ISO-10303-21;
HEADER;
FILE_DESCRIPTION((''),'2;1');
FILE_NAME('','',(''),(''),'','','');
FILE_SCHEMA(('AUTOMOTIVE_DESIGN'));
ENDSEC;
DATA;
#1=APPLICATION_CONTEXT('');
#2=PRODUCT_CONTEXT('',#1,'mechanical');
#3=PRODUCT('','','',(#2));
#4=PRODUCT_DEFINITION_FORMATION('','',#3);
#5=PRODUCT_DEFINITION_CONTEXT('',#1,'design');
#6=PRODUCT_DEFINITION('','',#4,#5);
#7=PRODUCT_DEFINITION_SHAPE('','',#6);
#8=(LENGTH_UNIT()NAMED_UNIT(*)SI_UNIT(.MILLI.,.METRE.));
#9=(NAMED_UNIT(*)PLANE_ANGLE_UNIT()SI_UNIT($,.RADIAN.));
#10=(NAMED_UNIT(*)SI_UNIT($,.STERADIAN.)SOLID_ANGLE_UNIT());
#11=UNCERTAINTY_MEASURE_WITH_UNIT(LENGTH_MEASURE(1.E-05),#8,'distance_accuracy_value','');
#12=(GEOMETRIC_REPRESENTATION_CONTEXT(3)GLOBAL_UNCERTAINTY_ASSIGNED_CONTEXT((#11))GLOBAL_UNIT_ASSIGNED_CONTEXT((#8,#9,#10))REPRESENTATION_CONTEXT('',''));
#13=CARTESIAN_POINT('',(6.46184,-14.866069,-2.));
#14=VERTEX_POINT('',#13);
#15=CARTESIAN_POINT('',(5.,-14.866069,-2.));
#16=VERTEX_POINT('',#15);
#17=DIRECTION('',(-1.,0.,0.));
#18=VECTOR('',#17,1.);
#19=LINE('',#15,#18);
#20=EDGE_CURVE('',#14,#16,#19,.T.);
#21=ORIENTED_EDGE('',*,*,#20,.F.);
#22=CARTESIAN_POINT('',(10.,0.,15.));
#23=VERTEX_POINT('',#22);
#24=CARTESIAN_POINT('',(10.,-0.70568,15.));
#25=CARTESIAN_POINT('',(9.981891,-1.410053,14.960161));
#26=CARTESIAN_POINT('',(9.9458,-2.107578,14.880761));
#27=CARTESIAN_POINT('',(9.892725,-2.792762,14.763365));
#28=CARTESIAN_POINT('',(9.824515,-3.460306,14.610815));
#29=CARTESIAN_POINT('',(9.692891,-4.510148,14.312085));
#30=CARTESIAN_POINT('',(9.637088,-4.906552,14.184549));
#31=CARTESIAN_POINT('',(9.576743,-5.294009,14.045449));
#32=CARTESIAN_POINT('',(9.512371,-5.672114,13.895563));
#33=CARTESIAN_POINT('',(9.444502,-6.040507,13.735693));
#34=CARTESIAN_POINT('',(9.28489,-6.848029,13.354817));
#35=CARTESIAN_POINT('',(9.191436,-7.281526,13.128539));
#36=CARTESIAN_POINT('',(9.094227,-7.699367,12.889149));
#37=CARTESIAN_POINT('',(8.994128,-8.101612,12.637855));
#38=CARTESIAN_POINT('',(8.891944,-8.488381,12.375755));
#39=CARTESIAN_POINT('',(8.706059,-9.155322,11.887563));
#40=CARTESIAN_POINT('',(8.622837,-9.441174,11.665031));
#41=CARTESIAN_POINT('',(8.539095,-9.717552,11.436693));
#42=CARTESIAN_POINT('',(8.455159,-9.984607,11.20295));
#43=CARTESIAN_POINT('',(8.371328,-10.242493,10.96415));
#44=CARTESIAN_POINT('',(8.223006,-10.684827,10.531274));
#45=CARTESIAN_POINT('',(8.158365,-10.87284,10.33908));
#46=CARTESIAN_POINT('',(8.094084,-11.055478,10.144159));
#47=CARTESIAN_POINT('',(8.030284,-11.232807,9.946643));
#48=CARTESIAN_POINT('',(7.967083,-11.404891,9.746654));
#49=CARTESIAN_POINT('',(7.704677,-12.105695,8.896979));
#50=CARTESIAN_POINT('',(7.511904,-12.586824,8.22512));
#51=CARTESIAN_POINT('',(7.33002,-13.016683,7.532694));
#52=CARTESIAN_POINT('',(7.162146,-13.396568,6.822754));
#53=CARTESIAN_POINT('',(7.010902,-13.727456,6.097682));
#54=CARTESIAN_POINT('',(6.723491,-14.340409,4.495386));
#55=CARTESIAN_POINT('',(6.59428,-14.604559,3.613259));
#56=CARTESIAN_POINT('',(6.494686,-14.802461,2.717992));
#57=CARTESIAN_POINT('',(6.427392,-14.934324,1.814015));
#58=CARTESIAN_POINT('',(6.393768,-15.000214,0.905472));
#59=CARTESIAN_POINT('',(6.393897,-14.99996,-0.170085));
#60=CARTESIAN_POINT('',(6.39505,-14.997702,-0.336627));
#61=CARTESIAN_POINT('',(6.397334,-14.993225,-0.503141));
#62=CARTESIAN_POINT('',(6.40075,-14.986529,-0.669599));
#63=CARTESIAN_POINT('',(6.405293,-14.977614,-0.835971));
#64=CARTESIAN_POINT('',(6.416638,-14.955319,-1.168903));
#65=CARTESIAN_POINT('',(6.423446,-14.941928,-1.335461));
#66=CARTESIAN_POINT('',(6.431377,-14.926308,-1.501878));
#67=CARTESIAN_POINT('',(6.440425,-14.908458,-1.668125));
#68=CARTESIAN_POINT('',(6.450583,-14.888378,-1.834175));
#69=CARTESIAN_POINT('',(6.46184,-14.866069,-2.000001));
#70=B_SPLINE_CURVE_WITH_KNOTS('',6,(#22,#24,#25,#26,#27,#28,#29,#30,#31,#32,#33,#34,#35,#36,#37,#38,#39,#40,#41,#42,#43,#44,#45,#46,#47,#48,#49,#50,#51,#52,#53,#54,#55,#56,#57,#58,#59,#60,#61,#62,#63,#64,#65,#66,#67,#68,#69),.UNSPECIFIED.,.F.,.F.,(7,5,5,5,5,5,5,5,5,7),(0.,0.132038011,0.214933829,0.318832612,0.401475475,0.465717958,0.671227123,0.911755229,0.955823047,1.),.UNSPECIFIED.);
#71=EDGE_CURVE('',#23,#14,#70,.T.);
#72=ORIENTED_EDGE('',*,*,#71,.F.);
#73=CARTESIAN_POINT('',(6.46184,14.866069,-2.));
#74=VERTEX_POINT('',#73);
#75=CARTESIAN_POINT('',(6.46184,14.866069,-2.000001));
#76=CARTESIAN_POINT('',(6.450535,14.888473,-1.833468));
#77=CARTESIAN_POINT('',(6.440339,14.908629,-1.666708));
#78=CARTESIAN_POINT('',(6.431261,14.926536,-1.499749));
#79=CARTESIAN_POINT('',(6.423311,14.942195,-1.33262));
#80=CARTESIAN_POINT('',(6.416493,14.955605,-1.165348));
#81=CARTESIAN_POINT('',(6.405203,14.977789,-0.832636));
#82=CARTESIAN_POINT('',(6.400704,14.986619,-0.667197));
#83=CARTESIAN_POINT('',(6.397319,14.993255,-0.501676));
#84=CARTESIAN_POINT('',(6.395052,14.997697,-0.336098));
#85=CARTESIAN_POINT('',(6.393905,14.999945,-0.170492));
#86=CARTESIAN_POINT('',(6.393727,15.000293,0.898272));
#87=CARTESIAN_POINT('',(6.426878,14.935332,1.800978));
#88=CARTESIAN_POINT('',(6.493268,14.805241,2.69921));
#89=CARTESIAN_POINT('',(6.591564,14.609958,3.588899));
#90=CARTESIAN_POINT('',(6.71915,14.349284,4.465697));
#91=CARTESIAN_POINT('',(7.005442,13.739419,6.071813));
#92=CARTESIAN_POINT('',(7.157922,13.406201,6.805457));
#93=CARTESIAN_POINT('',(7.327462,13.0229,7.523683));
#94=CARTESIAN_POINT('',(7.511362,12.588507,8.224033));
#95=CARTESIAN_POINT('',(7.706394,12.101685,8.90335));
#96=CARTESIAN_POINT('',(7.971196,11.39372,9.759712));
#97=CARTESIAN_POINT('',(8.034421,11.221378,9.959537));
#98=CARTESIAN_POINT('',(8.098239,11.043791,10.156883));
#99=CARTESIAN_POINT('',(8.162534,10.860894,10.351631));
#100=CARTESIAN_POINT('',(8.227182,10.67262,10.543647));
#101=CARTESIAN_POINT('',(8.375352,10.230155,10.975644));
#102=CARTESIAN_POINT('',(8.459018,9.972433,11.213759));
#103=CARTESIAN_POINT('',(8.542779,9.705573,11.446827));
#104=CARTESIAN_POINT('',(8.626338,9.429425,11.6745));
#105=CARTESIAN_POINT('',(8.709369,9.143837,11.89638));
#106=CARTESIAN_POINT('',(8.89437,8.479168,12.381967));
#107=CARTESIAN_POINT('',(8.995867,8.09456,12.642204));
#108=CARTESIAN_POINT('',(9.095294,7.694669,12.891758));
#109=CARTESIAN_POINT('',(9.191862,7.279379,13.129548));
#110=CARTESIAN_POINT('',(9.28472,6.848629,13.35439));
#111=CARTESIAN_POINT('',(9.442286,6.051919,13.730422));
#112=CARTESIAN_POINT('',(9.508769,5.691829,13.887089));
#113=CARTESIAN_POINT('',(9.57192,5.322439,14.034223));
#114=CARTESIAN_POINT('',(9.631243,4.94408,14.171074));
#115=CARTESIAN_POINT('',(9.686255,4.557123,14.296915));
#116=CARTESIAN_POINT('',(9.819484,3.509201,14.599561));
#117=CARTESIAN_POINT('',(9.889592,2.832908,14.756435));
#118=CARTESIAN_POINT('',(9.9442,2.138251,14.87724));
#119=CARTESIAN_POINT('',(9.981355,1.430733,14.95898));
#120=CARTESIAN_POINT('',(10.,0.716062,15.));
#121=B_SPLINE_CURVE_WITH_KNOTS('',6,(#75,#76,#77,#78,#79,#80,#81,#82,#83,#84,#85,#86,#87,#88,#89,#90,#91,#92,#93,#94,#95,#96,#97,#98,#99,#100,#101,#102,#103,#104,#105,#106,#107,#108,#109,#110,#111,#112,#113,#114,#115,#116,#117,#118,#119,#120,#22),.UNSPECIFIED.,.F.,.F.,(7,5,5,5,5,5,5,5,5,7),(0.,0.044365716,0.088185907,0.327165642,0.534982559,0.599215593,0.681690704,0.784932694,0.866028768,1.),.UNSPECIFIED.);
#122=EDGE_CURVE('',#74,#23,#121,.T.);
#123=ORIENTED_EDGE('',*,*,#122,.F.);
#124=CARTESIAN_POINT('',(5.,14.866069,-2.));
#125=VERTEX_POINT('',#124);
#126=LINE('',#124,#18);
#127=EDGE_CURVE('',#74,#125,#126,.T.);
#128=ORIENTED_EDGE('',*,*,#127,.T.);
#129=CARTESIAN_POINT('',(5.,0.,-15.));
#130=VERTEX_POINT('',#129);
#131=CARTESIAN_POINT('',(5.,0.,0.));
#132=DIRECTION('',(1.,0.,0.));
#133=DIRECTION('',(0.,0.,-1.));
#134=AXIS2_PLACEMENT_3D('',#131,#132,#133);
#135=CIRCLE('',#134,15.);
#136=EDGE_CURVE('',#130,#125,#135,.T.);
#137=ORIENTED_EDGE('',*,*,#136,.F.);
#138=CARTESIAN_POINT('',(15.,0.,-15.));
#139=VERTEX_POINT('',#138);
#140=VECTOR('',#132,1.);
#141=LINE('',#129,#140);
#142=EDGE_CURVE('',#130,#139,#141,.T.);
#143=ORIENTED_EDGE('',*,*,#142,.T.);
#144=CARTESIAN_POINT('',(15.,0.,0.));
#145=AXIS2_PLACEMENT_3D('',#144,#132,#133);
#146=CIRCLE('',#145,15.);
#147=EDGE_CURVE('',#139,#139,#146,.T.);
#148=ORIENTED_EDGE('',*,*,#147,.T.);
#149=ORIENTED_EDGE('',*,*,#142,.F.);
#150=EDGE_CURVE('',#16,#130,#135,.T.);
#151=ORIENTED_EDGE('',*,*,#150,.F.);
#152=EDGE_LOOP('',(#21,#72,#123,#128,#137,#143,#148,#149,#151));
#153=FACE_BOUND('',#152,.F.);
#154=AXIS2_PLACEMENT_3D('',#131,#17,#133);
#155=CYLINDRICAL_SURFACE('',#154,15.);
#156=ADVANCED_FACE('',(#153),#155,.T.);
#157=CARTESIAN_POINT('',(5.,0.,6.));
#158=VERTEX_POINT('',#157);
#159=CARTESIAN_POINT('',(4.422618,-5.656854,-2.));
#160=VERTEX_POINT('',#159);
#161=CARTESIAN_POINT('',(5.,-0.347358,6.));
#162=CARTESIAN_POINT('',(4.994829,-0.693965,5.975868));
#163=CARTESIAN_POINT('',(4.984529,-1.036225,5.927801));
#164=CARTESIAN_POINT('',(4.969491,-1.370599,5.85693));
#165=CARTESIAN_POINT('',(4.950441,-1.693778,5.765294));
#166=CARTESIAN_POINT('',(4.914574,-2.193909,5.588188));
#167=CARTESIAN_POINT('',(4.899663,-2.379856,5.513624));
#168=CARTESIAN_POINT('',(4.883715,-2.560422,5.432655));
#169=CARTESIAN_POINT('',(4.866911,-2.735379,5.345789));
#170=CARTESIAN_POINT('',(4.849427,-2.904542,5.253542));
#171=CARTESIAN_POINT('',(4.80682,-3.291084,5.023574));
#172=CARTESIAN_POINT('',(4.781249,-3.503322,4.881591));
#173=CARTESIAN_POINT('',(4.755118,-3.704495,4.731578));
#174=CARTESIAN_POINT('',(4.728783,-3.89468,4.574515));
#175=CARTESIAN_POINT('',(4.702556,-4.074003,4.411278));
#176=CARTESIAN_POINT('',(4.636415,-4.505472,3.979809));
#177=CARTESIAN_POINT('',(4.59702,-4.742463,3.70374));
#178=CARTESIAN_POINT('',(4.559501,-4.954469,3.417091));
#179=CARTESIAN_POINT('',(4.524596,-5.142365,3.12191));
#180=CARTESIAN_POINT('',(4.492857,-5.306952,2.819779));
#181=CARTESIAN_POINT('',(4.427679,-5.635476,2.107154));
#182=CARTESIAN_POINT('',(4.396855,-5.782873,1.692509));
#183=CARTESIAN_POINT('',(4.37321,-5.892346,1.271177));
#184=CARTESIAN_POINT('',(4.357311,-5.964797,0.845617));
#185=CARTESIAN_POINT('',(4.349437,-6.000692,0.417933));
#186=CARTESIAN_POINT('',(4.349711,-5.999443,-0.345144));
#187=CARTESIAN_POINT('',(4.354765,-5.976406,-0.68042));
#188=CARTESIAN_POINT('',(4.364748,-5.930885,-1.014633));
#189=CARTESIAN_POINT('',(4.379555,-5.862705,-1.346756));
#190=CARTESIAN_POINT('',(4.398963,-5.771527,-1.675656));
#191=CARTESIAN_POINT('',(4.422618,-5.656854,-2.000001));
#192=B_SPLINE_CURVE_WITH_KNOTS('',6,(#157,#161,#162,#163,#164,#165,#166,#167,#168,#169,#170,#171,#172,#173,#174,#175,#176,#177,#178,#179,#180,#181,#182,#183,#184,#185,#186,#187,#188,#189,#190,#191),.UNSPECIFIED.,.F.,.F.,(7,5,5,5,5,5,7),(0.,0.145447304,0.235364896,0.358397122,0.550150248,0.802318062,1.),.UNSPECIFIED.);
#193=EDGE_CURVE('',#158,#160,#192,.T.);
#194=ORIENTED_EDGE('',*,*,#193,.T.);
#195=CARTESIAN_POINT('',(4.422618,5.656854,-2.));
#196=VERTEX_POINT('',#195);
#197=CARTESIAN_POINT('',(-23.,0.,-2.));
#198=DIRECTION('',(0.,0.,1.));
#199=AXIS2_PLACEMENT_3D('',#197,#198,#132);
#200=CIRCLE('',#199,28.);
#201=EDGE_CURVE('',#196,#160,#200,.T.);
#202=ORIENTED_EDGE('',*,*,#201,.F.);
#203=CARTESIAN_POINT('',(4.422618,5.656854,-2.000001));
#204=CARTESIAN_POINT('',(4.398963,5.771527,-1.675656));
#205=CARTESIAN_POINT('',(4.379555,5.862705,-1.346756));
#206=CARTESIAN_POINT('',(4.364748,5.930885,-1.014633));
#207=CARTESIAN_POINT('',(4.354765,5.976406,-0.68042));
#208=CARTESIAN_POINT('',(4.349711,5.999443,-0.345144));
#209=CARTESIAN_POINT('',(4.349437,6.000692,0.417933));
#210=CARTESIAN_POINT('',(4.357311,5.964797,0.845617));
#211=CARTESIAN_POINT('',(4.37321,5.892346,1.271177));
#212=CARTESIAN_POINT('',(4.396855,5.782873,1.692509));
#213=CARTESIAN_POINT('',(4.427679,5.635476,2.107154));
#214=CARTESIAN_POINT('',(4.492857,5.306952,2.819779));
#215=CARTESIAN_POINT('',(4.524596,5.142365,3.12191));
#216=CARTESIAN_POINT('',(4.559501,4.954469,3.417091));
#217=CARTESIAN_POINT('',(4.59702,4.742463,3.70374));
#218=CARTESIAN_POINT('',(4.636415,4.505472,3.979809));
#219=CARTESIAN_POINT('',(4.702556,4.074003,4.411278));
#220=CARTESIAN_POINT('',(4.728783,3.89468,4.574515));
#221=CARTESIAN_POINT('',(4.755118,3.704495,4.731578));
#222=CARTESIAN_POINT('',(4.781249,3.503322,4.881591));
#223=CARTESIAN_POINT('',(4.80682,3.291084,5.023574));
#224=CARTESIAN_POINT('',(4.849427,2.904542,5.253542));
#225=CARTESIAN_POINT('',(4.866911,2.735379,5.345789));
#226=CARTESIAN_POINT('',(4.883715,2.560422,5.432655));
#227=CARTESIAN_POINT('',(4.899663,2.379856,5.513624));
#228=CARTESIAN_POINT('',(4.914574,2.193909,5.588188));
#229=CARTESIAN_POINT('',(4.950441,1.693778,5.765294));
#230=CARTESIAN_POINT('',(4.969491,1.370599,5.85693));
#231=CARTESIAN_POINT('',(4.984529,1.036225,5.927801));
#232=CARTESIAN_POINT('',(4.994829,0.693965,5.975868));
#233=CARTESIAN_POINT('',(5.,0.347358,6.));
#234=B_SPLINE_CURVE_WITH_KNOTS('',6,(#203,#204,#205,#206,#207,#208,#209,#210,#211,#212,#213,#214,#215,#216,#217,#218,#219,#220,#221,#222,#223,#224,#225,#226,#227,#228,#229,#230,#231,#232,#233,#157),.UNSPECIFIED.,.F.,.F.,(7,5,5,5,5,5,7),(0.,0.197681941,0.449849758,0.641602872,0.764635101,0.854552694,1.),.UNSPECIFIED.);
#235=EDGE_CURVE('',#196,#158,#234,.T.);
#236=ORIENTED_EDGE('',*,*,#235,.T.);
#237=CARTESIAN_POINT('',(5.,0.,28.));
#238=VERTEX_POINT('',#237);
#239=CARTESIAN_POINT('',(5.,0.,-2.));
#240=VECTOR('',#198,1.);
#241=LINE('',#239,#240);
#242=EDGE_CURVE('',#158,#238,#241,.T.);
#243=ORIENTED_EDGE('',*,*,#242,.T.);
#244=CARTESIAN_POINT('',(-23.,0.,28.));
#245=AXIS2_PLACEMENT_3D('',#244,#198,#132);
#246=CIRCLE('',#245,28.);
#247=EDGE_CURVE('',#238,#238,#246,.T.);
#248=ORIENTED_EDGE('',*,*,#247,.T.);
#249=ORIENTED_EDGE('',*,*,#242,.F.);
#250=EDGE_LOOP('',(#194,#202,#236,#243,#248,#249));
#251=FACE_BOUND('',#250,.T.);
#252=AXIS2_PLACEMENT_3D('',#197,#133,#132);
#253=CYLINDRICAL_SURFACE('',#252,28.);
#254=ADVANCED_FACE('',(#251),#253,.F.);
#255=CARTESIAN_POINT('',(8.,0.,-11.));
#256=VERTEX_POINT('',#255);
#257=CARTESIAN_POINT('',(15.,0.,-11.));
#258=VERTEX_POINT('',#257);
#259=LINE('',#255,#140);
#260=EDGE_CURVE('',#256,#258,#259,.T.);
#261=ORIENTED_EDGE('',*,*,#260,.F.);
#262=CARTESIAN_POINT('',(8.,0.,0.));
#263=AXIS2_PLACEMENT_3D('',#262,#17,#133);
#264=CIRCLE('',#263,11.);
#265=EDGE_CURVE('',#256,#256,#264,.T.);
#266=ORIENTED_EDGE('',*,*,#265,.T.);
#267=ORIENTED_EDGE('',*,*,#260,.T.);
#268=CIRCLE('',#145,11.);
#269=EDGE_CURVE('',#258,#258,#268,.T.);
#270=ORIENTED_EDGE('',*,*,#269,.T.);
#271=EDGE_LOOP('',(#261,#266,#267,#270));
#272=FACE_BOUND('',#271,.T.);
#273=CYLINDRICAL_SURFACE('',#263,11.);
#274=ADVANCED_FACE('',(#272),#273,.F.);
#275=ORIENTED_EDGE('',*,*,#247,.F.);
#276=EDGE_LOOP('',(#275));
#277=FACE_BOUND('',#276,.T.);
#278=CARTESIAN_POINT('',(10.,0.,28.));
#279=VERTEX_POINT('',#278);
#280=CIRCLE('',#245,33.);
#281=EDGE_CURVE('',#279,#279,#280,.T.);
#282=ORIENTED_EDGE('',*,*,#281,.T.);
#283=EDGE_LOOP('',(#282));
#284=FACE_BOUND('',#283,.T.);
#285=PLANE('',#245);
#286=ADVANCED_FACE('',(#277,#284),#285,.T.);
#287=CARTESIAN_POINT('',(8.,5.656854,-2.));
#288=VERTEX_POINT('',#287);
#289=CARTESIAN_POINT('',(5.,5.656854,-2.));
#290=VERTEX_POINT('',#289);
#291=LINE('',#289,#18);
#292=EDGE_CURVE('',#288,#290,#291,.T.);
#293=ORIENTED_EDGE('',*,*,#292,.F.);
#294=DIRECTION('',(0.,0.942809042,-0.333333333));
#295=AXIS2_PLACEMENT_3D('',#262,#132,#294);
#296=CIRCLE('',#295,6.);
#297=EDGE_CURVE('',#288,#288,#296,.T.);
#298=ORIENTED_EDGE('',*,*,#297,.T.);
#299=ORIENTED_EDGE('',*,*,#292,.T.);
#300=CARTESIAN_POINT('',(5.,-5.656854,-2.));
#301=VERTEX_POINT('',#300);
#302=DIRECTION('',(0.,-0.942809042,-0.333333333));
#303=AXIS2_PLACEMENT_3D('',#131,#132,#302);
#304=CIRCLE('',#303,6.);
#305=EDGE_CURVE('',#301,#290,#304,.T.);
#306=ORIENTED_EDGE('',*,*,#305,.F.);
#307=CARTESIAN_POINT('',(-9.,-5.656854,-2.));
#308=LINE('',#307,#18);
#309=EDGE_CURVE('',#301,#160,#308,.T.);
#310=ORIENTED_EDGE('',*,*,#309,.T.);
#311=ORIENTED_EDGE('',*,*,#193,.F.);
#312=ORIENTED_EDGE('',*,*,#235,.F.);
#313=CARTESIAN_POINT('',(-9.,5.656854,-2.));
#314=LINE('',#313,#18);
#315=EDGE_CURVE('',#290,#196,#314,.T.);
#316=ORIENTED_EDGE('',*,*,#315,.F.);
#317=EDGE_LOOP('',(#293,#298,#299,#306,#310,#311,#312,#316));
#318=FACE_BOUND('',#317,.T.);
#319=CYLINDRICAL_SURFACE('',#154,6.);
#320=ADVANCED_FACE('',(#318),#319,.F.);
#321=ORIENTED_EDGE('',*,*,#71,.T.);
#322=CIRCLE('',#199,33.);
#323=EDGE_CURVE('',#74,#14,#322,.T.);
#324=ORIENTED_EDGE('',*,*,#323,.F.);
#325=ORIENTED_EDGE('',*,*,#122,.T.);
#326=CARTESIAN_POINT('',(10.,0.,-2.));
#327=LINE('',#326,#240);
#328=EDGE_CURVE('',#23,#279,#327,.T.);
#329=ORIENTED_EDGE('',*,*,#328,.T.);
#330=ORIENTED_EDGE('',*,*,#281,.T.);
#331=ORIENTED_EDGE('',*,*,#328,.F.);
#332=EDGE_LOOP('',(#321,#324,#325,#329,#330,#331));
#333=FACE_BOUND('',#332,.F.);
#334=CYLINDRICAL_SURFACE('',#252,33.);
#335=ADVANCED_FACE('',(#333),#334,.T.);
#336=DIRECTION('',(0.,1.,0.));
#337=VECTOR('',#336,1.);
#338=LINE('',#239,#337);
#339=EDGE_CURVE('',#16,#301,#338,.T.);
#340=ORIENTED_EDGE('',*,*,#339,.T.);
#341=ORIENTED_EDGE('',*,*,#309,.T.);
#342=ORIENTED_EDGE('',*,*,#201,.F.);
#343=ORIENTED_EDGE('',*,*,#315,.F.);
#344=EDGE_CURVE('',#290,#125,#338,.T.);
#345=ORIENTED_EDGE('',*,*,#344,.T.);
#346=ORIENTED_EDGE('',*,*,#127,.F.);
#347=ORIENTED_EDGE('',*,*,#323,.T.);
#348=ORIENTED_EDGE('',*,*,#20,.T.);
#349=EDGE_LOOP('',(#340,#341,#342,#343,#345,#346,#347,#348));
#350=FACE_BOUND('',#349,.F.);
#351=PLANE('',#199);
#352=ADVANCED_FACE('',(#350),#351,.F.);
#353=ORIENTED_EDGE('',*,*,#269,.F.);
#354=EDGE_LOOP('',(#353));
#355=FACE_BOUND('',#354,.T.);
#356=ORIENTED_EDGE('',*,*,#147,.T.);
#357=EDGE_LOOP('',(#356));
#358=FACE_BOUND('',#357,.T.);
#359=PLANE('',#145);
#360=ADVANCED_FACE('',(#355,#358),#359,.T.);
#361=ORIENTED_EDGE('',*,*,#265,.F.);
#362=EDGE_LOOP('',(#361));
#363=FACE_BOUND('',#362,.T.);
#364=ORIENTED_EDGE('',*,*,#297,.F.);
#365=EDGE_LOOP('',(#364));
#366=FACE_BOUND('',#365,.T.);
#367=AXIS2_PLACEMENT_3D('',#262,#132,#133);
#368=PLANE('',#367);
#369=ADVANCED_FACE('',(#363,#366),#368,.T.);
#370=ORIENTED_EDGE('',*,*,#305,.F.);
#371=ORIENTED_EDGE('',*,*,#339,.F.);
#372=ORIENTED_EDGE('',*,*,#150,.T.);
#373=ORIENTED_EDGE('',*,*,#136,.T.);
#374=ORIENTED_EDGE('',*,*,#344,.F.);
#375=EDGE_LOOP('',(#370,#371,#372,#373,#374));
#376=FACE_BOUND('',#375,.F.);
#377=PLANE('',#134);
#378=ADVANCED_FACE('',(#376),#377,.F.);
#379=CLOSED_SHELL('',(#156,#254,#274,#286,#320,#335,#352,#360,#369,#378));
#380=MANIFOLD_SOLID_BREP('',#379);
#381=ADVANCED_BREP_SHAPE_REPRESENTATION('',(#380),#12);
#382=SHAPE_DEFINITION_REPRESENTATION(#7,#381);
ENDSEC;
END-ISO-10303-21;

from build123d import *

# Parameters (mm, degrees)
CYLINDER115_R             = 6
CYLINDER115_DEPTH         = 38
CYLINDER114_R             = 11
CYLINDER114_DEPTH         = 7
FUSION033_PLACEMENT_ANGLE = 90
CYLINDER102_R             = 6
CYLINDER102_DEPTH         = 10
CYLINDER104_R             = 11
CYLINDER104_DEPTH         = 7
CYLINDER103_R             = 15
CYLINDER103_DEPTH         = 10
CUT114_PLACEMENT_ANGLE    = 90
CYLINDER112_R             = 28
CYLINDER112_DEPTH         = 30
CYLINDER113_R             = 33
CYLINDER113_DEPTH         = 30


with BuildPart() as center_cylinder043:
    # Cylinder115 → Cylinder115 (new body)
    with BuildSketch(Plane.XY.offset(-9)):
        Circle(CYLINDER115_R)
    extrude(amount=CYLINDER115_DEPTH)


with BuildPart() as fusion033:
    # Cylinder114 → Cylinder114 (new body)
    with BuildSketch(Plane.XY.offset(8)):
        Circle(CYLINDER114_R)
    extrude(amount=CYLINDER114_DEPTH)

    # Fusion033: union center-Cylinder043
    add(center_cylinder043.part)


with BuildPart() as fusion033_1:
    # Fusion033 placement: moved
    add(fusion033.part.rotate(Axis((0, 0, 0), (0, 1, 0)), FUSION033_PLACEMENT_ANGLE))


with BuildPart() as center_cylinder039:
    # Cylinder102 → Cylinder102 (new body)
    with BuildSketch(Plane.XY.offset(5)):
        Circle(CYLINDER102_R)
    extrude(amount=CYLINDER102_DEPTH)


with BuildPart() as center_cylinder041:
    # Cylinder104 → Cylinder104 (new body)
    with BuildSketch(Plane.XY.offset(8)):
        Circle(CYLINDER104_R)
    extrude(amount=CYLINDER104_DEPTH)


with BuildPart() as cut114:
    # Cylinder103 → Cylinder103 (new body)
    with BuildSketch(Plane.XY.offset(5)):
        Circle(CYLINDER103_R)
    extrude(amount=CYLINDER103_DEPTH)

    # Cut113: cut center-Cylinder041
    add(center_cylinder041.part, mode=Mode.SUBTRACT)

    # Cut114: cut center-Cylinder039
    add(center_cylinder039.part, mode=Mode.SUBTRACT)


with BuildPart() as cut114_1:
    # Cut114 placement: moved
    add(cut114.part.rotate(Axis((0, 0, 0), (0, 1, 0)), CUT114_PLACEMENT_ANGLE))


with BuildPart() as cylinder112:
    # Cylinder112 → Cylinder112 (new body)
    with BuildSketch(Plane(origin=(-23, 0, -2), x_dir=(1, 0, 0), z_dir=(0, 0, 1))):
        Circle(CYLINDER112_R)
    extrude(amount=CYLINDER112_DEPTH)


with BuildPart() as cut120:
    # Cylinder113 → Cylinder113 (new body)
    with BuildSketch(Plane(origin=(-23, 0, -2), x_dir=(1, 0, 0), z_dir=(0, 0, 1))):
        Circle(CYLINDER113_R)
    extrude(amount=CYLINDER113_DEPTH)

    # Cut119: cut Cylinder112
    add(cylinder112.part, mode=Mode.SUBTRACT)

    # Fusion034: union Cut114
    add(cut114_1.part)

    # Cut120: cut Fusion033
    add(fusion033_1.part, mode=Mode.SUBTRACT)


solid = cut120.part
